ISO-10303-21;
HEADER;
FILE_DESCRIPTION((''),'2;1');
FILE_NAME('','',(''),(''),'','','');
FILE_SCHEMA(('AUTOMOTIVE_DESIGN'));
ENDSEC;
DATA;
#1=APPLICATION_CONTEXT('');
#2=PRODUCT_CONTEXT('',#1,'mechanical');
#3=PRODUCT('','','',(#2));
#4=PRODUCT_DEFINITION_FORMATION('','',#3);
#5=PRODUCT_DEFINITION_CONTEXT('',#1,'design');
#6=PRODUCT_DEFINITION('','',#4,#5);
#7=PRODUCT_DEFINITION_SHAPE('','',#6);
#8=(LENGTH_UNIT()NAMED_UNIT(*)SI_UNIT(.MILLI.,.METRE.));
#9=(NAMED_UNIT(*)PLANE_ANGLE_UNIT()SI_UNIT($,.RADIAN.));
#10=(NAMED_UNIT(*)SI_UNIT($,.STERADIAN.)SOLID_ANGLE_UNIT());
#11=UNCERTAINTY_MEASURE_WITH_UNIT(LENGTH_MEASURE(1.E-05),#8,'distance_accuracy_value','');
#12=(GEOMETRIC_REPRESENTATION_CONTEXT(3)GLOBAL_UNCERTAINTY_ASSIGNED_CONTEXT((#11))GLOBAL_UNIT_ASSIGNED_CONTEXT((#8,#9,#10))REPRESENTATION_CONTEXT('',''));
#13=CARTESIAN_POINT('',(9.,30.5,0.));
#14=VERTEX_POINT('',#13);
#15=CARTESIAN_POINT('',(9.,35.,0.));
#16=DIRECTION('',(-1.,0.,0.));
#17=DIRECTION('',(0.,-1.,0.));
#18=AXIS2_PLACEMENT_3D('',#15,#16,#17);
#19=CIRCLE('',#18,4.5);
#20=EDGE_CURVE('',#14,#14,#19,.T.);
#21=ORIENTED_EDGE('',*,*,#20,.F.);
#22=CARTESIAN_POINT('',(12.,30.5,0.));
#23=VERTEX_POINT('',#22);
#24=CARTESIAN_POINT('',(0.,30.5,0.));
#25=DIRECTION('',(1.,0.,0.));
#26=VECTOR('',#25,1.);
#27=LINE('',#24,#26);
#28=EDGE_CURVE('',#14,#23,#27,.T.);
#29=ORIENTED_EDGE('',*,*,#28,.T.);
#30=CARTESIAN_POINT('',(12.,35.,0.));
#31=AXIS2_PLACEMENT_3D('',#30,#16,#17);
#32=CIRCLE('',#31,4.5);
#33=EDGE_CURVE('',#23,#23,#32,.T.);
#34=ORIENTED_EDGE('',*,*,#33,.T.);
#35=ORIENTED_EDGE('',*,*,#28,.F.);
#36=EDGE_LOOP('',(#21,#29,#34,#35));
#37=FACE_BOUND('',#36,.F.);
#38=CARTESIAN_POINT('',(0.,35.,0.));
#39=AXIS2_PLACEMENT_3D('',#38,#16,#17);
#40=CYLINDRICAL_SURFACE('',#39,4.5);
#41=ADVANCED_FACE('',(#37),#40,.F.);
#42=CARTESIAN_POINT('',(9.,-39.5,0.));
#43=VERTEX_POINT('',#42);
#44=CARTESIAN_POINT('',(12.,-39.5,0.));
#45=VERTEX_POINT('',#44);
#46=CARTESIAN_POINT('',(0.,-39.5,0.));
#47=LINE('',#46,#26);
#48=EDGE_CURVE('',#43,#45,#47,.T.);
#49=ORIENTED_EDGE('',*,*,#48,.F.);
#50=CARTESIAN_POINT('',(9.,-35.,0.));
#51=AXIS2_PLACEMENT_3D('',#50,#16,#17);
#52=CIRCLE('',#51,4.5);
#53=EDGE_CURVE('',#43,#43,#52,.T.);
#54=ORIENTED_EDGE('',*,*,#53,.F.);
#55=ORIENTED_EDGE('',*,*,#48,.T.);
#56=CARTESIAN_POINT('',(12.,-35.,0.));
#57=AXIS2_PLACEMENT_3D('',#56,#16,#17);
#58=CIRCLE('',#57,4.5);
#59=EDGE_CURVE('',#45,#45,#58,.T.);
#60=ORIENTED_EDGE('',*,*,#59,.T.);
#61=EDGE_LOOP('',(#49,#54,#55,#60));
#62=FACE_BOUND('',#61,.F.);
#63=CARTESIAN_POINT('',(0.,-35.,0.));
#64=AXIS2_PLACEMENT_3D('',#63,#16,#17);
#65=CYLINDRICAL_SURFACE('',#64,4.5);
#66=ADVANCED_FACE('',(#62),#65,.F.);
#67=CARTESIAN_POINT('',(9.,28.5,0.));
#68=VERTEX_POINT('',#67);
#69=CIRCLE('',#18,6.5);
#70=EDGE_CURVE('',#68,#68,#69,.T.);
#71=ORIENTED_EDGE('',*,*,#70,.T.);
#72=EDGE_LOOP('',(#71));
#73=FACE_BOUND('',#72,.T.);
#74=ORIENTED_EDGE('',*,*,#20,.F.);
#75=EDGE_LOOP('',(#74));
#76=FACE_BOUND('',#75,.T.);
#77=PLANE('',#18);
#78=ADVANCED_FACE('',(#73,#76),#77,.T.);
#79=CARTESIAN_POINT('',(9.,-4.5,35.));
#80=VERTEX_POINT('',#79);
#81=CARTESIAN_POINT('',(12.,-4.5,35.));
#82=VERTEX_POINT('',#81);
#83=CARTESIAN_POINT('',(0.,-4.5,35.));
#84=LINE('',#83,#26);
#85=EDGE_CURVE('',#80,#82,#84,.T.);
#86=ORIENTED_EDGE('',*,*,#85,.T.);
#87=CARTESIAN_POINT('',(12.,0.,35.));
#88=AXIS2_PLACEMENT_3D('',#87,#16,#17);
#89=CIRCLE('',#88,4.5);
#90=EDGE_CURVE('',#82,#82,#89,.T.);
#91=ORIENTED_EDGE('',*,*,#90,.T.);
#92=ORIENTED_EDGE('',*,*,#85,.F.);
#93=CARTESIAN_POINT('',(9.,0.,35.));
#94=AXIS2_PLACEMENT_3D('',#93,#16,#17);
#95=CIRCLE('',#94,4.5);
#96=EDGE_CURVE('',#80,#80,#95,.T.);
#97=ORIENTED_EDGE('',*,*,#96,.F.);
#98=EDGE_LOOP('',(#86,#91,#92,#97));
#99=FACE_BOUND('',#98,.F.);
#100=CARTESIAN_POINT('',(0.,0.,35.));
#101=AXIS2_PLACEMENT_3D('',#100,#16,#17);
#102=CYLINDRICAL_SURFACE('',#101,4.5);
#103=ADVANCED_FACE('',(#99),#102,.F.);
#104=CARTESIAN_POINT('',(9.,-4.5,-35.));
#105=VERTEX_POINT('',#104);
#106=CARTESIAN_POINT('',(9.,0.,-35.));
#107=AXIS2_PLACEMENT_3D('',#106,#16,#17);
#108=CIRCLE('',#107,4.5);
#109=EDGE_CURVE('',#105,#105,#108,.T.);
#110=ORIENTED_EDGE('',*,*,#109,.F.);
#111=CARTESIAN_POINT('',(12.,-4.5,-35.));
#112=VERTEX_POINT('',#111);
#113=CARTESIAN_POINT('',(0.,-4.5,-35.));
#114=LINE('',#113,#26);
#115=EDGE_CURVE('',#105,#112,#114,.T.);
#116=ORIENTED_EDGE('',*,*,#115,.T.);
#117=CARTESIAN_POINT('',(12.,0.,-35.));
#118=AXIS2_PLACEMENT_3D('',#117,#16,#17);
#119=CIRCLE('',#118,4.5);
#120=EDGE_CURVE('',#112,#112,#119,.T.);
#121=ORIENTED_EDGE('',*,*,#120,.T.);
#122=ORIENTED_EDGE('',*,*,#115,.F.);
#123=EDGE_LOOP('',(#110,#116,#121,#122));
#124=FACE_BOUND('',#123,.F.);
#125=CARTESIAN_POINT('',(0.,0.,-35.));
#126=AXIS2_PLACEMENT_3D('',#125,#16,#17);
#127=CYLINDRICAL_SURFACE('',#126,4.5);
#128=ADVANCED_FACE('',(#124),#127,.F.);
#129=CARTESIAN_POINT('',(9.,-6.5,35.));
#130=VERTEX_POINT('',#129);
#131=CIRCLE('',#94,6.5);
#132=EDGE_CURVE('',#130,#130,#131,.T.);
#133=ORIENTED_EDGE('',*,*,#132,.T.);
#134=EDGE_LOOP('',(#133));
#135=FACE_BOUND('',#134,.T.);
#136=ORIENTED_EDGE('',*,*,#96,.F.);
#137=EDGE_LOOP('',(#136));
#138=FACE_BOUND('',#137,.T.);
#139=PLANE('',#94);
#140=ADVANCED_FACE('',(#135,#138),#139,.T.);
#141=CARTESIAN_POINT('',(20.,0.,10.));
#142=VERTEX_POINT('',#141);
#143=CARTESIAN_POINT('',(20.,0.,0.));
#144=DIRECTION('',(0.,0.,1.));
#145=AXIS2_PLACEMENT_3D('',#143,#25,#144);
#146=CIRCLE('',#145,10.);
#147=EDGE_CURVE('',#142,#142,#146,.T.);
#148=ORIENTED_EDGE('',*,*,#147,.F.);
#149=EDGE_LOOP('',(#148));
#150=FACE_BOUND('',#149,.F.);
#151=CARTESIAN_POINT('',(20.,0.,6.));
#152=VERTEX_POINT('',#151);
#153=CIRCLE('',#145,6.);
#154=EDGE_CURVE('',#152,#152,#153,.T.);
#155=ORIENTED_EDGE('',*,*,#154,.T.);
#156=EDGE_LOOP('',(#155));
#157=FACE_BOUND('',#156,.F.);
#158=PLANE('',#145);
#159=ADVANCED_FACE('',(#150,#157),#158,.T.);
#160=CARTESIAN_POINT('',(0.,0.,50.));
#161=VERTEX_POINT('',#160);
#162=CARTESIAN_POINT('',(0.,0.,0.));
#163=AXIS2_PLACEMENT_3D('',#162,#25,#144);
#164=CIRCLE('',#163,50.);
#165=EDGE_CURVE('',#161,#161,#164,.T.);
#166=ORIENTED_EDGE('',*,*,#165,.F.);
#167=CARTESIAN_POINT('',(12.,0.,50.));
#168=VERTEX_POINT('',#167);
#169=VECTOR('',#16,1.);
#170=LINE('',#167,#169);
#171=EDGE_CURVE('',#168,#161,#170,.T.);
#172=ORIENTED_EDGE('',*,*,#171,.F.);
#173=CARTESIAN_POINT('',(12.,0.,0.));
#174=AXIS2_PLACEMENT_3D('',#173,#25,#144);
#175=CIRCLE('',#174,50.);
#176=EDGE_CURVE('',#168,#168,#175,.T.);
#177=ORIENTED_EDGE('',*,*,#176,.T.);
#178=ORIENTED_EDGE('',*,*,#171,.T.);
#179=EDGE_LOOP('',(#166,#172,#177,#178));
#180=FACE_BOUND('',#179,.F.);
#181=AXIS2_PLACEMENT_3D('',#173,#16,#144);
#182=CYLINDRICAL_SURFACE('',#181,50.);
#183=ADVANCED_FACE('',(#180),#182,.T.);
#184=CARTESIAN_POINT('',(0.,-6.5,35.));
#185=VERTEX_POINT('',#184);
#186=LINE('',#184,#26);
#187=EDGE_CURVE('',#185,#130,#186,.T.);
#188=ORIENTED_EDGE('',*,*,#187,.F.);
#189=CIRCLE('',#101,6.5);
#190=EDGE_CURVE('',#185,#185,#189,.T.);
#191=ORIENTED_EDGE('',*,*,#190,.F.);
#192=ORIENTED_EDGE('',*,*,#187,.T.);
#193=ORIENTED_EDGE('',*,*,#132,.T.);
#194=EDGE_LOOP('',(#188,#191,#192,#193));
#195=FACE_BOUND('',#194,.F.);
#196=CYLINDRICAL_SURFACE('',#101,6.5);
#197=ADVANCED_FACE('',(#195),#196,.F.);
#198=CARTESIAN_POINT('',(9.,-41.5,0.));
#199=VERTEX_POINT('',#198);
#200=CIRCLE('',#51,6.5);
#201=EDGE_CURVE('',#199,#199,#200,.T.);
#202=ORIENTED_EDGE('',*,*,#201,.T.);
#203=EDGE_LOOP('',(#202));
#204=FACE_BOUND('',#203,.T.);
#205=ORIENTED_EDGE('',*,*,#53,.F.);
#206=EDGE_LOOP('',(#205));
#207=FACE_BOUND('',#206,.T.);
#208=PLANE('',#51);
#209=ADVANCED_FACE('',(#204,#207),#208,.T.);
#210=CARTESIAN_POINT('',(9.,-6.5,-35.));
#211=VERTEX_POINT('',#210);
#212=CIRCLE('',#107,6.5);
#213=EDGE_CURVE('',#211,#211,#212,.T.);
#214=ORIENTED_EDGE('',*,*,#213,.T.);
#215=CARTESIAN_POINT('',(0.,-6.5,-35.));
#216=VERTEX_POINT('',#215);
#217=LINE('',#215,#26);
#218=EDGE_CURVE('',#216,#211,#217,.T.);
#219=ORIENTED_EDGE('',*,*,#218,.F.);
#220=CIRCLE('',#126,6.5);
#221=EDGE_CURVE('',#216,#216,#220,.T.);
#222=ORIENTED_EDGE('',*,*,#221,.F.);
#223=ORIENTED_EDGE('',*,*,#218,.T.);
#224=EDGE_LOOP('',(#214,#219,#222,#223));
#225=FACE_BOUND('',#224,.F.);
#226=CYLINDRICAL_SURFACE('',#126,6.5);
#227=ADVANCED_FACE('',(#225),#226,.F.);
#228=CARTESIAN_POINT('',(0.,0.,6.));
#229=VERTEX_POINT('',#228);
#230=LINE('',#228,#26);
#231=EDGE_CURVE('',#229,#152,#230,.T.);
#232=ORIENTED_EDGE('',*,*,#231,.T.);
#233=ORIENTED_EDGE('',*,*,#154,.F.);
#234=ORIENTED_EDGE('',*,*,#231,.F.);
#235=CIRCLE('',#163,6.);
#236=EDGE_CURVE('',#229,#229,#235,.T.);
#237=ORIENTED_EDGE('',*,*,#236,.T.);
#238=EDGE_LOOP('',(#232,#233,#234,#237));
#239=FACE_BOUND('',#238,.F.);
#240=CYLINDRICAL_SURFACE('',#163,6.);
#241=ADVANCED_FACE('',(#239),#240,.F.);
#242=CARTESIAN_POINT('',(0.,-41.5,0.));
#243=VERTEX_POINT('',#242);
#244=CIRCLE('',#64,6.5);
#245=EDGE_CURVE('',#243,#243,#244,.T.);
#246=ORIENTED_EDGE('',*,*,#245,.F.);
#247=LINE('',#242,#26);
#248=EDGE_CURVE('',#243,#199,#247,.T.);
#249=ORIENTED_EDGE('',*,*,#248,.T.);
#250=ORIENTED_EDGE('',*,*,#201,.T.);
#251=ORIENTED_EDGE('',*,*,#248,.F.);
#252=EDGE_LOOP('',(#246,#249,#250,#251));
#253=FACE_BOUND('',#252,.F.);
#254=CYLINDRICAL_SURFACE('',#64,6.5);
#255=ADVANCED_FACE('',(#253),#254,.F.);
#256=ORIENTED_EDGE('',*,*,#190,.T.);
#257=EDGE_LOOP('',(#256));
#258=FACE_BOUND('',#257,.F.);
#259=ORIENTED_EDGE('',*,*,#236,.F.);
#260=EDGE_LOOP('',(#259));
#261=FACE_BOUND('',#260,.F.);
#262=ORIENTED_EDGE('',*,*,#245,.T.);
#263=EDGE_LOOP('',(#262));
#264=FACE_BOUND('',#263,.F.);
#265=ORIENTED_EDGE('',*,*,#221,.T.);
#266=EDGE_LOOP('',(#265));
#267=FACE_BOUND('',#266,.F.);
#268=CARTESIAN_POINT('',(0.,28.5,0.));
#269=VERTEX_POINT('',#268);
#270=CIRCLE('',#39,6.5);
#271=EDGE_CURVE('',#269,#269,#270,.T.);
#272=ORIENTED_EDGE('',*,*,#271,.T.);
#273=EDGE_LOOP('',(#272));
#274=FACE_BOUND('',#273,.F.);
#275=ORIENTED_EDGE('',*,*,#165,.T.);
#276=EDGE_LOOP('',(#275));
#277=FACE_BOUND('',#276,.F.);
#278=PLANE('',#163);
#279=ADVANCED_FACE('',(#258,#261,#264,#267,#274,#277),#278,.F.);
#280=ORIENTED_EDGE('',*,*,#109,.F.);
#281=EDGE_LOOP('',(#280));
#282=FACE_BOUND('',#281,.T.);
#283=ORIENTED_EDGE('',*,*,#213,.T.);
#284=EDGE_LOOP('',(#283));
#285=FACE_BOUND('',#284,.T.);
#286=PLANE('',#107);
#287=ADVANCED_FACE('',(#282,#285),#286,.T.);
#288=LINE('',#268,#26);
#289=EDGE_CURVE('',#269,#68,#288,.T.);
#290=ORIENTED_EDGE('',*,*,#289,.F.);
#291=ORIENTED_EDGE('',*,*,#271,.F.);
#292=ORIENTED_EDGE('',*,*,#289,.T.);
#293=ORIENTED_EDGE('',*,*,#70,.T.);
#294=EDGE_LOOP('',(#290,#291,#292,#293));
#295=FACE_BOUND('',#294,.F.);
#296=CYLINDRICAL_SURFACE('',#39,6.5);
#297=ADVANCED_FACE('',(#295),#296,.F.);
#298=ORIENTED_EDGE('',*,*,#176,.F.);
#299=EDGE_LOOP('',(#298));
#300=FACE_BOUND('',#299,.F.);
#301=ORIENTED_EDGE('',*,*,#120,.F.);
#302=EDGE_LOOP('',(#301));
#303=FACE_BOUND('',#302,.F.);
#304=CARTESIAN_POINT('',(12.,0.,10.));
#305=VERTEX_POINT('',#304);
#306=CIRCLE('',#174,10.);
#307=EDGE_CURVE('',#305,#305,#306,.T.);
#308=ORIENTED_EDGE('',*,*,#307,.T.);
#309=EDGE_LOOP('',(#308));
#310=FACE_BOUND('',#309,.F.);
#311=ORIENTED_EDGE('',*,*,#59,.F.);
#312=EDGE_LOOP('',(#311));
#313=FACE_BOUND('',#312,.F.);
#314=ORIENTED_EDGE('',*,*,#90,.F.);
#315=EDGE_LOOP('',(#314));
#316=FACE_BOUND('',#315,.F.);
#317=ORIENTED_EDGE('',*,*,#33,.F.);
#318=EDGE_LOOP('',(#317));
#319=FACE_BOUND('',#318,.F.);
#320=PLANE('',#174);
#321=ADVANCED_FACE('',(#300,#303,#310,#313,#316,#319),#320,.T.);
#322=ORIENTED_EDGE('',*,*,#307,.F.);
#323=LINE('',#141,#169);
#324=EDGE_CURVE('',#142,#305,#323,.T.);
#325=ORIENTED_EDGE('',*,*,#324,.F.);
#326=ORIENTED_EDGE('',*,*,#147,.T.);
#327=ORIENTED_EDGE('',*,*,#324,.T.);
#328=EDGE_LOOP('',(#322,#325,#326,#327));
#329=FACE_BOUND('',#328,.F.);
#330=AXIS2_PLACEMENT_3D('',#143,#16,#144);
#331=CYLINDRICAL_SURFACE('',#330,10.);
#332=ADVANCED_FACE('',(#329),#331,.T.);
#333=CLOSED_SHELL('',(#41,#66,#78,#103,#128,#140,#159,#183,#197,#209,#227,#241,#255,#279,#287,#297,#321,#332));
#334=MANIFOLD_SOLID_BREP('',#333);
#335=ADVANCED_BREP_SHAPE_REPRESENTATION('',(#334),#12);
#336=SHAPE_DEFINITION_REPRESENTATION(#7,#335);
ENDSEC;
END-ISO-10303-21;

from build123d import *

# Parameters (mm, degrees)
F2_R     = 6.5
F2_R_2   = 4.5
F3_DEPTH = 9
F4_DEPTH = 20.001


with BuildPart() as f1:
    # F0 (on Front) → F1 (revolve)
    with BuildSketch(Plane.XZ):
        Polygon((0, 50), (0, 6), (20, 6), (20, 10), (12, 10), (12, 50), align=None)
    revolve(axis=Axis((26.5880525112, 0, 0), (1, 0, 0)))

    # F2 (on face) → F3 (cut)
    with BuildSketch(Plane(origin=(0, 0, 0), x_dir=(0, -1, 0), z_dir=(-1, 0, 0))):
        with Locations((0, 35)):
            Circle(F2_R)
        with Locations((0, 35)):
            Circle(F2_R_2, mode=Mode.SUBTRACT)
        with Locations((-35, 0)):
            Circle(F2_R)
        with Locations((-35, 0)):
            Circle(F2_R_2, mode=Mode.SUBTRACT)
        with Locations((0, -35)):
            Circle(F2_R)
        with Locations((0, -35)):
            Circle(F2_R_2, mode=Mode.SUBTRACT)
        with Locations((35, 0)):
            Circle(F2_R)
        with Locations((35, 0)):
            Circle(F2_R_2, mode=Mode.SUBTRACT)
    extrude(amount=-F3_DEPTH, mode=Mode.SUBTRACT)

    # F4 (cut, through all): faces of the model
    f4_faces = [f1.faces().sort_by_distance(p)[0] for p in [
        (0, 0, 35),
        (0, 35, 0),
        (0, 0, -35),
        (0, -35, 0),
    ]]
    extrude(f4_faces, amount=-F4_DEPTH, mode=Mode.SUBTRACT)


solid = f1.part
